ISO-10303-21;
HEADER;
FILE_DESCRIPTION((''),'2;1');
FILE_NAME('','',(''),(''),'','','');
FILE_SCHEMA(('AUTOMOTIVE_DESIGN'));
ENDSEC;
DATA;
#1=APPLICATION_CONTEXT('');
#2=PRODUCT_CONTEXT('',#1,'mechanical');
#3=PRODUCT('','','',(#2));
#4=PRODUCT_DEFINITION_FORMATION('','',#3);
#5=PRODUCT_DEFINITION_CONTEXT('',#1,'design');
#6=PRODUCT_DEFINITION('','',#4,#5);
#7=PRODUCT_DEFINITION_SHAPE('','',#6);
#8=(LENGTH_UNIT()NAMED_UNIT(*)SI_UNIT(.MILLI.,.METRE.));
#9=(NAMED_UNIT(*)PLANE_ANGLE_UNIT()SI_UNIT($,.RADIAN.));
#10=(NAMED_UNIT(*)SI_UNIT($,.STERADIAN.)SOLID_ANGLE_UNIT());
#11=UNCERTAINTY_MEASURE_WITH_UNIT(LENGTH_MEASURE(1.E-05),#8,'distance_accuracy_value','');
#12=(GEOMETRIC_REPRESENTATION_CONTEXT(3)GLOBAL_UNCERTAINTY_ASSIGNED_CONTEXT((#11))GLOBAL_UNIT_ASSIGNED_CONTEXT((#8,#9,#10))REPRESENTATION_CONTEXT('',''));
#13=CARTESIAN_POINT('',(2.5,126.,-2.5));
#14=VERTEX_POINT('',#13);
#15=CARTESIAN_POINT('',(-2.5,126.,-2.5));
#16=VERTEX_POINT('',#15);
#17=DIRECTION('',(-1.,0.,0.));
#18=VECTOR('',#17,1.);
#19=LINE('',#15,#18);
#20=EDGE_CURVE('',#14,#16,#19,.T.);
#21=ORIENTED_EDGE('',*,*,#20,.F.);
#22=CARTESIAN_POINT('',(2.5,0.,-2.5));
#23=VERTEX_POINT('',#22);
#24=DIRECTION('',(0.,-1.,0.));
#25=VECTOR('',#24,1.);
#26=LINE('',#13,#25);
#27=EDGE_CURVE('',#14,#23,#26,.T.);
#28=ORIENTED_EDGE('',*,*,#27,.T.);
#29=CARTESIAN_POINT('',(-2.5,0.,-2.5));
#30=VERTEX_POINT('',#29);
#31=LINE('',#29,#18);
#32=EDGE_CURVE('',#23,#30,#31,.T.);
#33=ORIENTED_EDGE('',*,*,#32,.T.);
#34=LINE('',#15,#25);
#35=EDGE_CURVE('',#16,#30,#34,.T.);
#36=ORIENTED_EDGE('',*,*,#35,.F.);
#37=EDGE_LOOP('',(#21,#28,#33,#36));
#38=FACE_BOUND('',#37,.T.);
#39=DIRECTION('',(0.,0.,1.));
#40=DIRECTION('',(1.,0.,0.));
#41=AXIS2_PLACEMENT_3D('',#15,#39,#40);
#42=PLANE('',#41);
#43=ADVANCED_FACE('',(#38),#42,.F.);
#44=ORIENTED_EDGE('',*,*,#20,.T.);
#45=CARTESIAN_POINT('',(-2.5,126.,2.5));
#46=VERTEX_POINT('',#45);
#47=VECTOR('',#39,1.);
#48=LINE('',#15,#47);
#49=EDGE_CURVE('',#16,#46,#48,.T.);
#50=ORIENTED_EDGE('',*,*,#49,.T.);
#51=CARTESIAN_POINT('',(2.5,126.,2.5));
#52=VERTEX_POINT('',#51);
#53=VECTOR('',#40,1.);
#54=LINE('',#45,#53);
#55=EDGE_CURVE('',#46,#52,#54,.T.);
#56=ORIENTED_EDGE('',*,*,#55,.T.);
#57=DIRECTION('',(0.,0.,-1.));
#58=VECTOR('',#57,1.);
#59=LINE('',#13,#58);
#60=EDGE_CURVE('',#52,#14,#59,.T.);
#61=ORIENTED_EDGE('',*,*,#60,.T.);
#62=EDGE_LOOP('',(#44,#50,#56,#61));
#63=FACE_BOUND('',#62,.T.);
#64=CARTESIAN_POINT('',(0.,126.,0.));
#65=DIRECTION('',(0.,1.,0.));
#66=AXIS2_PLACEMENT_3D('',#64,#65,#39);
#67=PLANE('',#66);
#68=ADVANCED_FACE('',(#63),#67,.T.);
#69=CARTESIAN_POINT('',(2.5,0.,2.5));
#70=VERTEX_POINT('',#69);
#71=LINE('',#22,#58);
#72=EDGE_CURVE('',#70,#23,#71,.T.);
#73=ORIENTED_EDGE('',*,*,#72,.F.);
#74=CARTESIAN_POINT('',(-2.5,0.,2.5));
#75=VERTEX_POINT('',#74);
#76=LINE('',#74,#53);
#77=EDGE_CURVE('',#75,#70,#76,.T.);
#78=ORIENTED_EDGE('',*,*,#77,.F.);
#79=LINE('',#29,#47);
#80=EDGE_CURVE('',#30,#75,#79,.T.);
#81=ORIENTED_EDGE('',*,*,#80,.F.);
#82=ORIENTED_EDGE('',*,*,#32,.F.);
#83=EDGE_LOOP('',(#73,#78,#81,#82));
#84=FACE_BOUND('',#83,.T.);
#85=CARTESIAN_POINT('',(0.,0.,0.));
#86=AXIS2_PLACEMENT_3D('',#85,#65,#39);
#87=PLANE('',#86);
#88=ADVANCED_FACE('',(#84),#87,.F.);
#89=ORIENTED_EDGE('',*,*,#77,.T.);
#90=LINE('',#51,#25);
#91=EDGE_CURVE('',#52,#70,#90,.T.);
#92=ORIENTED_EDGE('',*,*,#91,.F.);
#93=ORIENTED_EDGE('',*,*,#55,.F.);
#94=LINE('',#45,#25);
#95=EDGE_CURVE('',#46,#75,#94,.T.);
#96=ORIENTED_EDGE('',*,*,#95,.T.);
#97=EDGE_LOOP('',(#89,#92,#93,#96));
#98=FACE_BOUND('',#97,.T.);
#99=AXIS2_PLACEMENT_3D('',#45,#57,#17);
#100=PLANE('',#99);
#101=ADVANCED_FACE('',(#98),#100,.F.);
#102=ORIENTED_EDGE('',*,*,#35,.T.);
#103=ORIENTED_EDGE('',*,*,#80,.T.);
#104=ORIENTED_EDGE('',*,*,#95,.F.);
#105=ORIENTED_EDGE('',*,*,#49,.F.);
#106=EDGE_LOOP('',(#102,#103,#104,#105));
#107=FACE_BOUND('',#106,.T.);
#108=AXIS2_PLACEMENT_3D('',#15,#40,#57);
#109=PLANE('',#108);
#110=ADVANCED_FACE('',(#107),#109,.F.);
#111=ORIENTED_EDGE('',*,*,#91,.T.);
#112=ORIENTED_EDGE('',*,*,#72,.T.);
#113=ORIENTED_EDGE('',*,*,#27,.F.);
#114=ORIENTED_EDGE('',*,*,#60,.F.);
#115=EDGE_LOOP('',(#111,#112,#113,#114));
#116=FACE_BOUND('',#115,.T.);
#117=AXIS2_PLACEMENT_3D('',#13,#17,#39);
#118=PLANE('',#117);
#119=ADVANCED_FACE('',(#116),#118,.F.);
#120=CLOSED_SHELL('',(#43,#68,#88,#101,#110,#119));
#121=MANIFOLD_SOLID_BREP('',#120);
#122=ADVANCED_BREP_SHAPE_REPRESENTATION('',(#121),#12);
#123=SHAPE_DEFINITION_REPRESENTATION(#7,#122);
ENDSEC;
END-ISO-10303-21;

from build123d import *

# Parameters (mm, degrees)
SKETCH_1_W      = 5
SKETCH_1_H      = 5
EXTRUDE_1_DEPTH = 126


with BuildPart() as part:
    # Эскиз1 → Бобышка-Вытянуть1 (new body)
    with BuildSketch(Plane(origin=(0, 0, 0), x_dir=(1, 0, 0), z_dir=(0, 1, 0))):
        Rectangle(SKETCH_1_W, SKETCH_1_H)
    extrude(amount=EXTRUDE_1_DEPTH)


solid = part.part
